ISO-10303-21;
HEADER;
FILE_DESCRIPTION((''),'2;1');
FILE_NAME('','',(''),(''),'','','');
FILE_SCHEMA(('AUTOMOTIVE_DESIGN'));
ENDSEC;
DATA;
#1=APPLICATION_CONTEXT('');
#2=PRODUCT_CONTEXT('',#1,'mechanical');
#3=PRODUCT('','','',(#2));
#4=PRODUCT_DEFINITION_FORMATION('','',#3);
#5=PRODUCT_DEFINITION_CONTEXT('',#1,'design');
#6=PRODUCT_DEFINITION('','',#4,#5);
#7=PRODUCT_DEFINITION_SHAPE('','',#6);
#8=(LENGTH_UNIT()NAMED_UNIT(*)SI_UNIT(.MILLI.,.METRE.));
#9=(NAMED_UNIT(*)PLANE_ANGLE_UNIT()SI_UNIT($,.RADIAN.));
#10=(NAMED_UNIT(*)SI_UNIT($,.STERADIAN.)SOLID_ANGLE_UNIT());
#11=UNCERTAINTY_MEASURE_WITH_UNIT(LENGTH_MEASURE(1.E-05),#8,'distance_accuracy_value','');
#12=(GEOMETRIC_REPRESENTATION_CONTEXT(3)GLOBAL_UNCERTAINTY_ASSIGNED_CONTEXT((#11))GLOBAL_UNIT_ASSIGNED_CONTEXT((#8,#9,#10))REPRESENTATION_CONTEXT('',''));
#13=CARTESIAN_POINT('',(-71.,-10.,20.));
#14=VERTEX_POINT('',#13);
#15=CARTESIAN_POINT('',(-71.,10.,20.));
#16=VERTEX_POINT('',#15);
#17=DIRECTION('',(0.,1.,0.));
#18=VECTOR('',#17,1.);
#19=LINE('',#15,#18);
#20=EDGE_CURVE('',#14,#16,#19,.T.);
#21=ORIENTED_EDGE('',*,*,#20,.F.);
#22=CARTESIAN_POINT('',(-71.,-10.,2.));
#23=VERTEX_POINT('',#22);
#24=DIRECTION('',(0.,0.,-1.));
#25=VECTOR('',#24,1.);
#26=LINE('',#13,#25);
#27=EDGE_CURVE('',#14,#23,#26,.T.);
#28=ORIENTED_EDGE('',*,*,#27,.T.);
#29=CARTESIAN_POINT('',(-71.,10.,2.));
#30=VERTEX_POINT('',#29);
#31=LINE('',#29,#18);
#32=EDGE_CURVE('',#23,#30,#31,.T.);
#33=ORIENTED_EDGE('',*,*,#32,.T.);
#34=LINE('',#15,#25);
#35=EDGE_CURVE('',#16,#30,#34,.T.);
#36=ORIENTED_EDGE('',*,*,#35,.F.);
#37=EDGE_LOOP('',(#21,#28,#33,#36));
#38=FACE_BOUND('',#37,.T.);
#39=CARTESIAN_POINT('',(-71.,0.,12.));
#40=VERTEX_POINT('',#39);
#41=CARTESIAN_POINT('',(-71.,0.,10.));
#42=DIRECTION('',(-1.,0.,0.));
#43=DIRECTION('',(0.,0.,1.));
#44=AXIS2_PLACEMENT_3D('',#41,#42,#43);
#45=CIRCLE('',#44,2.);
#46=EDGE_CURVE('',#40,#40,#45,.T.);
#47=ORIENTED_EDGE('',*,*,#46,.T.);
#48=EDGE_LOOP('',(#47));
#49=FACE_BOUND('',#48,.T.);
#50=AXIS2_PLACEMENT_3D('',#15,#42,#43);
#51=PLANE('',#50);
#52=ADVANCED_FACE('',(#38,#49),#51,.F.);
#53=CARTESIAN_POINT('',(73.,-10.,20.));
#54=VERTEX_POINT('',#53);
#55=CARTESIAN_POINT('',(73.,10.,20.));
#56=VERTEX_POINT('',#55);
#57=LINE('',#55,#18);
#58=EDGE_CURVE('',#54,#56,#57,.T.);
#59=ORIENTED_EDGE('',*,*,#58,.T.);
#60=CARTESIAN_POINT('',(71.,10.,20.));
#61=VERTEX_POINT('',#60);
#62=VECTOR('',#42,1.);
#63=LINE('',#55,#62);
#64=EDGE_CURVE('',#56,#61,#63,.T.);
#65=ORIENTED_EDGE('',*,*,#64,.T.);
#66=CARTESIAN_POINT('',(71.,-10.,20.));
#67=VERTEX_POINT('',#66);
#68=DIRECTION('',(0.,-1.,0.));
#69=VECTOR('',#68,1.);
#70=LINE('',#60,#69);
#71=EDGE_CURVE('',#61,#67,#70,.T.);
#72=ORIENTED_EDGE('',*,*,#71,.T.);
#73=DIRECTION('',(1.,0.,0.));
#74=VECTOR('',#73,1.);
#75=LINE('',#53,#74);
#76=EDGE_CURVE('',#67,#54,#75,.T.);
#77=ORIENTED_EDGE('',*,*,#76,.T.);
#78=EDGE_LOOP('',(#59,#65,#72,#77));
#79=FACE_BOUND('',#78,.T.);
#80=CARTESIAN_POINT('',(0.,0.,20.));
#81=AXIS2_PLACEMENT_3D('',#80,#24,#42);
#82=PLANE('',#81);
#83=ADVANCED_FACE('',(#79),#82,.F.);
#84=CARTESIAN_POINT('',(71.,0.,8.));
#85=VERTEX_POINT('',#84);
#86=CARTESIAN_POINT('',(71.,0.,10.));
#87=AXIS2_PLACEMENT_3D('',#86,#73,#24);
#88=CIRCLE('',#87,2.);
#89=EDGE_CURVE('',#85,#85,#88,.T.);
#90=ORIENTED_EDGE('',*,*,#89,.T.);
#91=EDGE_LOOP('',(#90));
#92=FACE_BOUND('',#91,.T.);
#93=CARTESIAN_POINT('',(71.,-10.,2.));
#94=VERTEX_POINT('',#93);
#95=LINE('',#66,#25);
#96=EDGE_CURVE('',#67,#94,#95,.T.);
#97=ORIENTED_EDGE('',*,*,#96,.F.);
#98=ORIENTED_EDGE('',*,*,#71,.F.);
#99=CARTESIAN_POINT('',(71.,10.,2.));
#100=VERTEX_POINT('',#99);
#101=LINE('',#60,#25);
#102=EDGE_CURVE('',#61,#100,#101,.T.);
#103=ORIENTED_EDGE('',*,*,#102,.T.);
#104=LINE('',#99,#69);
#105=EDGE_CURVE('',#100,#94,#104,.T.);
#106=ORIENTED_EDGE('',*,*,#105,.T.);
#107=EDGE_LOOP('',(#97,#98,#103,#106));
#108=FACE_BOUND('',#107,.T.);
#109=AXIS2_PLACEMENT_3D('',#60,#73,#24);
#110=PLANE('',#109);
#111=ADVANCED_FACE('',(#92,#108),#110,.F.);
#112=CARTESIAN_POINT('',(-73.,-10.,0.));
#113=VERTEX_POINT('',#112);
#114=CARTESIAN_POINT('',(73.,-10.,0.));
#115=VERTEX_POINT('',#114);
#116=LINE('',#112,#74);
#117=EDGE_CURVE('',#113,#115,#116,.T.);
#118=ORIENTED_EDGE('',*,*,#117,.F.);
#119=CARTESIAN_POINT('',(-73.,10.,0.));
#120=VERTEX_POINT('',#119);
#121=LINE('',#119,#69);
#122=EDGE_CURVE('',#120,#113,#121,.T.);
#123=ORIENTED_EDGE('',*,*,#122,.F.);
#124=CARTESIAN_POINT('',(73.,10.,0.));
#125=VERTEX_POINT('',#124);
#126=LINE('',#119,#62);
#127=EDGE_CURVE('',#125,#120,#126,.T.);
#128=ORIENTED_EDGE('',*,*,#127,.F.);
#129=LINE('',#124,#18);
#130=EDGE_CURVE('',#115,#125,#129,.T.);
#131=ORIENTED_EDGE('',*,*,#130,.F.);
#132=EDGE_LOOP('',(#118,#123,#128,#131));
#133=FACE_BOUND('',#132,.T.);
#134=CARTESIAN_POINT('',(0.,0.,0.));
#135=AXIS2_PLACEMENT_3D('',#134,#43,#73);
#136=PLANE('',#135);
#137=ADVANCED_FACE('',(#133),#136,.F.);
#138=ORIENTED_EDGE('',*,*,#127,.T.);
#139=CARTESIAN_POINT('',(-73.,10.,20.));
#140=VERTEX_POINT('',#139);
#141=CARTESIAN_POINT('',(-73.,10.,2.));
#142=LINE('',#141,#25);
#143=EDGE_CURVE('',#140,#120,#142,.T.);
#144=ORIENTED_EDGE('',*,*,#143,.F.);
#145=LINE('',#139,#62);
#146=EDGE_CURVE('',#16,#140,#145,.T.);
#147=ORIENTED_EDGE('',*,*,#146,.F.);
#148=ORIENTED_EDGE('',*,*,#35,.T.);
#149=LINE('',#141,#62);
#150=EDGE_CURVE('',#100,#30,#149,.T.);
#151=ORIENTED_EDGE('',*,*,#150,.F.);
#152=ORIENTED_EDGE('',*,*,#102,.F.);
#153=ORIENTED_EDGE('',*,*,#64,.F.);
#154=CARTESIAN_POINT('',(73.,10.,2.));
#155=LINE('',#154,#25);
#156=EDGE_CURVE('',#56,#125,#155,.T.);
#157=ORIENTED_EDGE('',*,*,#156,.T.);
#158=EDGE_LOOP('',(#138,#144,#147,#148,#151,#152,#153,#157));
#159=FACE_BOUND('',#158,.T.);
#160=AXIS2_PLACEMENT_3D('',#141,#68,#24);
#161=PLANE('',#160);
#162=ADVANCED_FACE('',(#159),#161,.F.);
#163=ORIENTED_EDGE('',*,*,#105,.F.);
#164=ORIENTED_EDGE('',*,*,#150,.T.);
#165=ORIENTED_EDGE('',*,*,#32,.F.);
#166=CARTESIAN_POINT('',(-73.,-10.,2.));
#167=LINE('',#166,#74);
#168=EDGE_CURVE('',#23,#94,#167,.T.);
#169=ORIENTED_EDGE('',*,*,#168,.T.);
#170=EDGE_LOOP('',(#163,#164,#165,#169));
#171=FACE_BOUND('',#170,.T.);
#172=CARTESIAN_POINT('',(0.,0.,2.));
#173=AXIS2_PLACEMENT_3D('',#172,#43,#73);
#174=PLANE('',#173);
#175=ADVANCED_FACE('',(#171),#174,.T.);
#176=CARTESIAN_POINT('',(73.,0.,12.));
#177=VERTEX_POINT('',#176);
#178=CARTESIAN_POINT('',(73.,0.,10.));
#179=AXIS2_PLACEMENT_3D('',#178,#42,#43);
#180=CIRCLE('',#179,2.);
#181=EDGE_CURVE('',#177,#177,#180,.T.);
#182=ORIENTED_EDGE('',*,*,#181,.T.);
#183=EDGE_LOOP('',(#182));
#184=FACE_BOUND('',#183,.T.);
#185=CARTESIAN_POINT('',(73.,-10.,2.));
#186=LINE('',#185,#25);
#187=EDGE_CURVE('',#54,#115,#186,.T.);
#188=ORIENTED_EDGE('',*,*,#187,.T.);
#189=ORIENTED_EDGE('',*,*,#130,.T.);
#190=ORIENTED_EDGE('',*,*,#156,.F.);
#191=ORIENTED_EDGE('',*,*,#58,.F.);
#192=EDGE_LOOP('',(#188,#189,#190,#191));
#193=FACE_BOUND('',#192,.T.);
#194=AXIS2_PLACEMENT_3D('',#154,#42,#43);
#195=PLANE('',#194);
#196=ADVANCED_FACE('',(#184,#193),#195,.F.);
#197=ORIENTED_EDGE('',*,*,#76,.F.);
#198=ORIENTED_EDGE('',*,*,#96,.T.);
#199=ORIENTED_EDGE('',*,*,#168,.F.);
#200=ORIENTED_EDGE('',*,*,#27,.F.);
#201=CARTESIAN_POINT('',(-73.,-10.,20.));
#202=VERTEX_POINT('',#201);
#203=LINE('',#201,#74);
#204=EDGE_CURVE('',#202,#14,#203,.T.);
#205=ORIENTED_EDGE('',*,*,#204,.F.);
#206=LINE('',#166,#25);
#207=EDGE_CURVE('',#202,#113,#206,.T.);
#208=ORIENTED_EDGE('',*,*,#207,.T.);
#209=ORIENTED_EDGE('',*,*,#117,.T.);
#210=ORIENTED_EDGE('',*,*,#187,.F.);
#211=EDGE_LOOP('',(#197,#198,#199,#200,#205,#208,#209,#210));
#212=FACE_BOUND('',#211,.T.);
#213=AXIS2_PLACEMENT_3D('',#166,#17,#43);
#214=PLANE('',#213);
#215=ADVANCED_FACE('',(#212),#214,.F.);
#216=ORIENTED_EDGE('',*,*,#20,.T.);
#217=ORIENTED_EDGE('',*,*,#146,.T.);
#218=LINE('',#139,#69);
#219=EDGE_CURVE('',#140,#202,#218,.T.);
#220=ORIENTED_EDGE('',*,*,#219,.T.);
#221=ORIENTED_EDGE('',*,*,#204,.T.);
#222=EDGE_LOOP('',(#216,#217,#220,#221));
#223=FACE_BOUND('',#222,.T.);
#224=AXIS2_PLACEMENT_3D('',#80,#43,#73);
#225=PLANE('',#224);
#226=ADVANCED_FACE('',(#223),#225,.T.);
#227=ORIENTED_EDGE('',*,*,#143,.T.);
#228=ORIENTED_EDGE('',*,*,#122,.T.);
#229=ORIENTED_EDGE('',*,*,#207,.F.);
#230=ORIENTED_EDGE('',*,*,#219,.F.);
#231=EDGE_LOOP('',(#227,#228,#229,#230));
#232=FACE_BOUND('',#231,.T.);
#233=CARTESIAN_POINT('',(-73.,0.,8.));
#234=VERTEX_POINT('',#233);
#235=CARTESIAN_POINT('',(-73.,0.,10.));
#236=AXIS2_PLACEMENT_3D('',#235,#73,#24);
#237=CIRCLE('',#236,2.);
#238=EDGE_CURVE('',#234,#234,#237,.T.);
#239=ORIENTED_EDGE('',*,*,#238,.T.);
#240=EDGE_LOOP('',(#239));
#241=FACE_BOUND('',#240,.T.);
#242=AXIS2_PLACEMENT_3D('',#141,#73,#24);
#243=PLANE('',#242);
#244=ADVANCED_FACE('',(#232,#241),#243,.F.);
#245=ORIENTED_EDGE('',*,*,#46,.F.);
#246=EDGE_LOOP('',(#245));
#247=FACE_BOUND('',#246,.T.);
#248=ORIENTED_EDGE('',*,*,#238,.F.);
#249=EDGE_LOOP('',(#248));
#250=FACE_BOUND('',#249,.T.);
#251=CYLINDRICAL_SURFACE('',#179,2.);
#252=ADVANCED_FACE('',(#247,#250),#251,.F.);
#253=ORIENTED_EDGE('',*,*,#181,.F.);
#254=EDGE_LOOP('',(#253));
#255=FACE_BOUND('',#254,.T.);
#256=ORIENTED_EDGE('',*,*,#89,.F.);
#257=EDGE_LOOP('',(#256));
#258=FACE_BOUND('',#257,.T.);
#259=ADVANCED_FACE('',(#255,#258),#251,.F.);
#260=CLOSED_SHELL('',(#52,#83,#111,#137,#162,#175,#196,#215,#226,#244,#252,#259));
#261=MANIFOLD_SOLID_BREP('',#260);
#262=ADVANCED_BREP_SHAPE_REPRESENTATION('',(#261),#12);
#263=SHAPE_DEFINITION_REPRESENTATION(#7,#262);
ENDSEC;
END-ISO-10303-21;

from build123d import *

# Parameters (mm, degrees)
SKETCH1_W               = 146
SKETCH1_H               = 20
BOSS_EXTRUDE1_DEPTH     = 2
SKETCH2_W               = 2
SKETCH2_H               = 20
BOSS_EXTRUDE2_DEPTH     = 18
CUT_EXTRUDE1_DEPTH      = 148.702403501
CUT_EXTRUDE1_DEPTH_BACK = 148.702403501
SKETCH3_R               = 2


with BuildPart() as part:
    # Sketch1 → Boss-Extrude1 (new body)
    with BuildSketch(Plane.XY):
        Rectangle(SKETCH1_W, SKETCH1_H)
    extrude(amount=BOSS_EXTRUDE1_DEPTH)

    # Sketch2 → Boss-Extrude2 (add)
    with BuildSketch(Plane.XY.offset(2)):
        with Locations((72, 0)):
            Rectangle(SKETCH2_W, SKETCH2_H)
        with Locations((-72, 0)):
            Rectangle(SKETCH2_W, SKETCH2_H)
    extrude(amount=BOSS_EXTRUDE2_DEPTH)

    # Sketch3 → Cut-Extrude1 (cut, two sides: drawn at the far end of the back side and taken through both)
    with BuildSketch(Plane.ZY.offset(73).offset(-CUT_EXTRUDE1_DEPTH_BACK)):
        with Locations((10, 0)):
            Circle(SKETCH3_R)
    extrude(amount=CUT_EXTRUDE1_DEPTH + CUT_EXTRUDE1_DEPTH_BACK, mode=Mode.SUBTRACT)


solid = part.part
